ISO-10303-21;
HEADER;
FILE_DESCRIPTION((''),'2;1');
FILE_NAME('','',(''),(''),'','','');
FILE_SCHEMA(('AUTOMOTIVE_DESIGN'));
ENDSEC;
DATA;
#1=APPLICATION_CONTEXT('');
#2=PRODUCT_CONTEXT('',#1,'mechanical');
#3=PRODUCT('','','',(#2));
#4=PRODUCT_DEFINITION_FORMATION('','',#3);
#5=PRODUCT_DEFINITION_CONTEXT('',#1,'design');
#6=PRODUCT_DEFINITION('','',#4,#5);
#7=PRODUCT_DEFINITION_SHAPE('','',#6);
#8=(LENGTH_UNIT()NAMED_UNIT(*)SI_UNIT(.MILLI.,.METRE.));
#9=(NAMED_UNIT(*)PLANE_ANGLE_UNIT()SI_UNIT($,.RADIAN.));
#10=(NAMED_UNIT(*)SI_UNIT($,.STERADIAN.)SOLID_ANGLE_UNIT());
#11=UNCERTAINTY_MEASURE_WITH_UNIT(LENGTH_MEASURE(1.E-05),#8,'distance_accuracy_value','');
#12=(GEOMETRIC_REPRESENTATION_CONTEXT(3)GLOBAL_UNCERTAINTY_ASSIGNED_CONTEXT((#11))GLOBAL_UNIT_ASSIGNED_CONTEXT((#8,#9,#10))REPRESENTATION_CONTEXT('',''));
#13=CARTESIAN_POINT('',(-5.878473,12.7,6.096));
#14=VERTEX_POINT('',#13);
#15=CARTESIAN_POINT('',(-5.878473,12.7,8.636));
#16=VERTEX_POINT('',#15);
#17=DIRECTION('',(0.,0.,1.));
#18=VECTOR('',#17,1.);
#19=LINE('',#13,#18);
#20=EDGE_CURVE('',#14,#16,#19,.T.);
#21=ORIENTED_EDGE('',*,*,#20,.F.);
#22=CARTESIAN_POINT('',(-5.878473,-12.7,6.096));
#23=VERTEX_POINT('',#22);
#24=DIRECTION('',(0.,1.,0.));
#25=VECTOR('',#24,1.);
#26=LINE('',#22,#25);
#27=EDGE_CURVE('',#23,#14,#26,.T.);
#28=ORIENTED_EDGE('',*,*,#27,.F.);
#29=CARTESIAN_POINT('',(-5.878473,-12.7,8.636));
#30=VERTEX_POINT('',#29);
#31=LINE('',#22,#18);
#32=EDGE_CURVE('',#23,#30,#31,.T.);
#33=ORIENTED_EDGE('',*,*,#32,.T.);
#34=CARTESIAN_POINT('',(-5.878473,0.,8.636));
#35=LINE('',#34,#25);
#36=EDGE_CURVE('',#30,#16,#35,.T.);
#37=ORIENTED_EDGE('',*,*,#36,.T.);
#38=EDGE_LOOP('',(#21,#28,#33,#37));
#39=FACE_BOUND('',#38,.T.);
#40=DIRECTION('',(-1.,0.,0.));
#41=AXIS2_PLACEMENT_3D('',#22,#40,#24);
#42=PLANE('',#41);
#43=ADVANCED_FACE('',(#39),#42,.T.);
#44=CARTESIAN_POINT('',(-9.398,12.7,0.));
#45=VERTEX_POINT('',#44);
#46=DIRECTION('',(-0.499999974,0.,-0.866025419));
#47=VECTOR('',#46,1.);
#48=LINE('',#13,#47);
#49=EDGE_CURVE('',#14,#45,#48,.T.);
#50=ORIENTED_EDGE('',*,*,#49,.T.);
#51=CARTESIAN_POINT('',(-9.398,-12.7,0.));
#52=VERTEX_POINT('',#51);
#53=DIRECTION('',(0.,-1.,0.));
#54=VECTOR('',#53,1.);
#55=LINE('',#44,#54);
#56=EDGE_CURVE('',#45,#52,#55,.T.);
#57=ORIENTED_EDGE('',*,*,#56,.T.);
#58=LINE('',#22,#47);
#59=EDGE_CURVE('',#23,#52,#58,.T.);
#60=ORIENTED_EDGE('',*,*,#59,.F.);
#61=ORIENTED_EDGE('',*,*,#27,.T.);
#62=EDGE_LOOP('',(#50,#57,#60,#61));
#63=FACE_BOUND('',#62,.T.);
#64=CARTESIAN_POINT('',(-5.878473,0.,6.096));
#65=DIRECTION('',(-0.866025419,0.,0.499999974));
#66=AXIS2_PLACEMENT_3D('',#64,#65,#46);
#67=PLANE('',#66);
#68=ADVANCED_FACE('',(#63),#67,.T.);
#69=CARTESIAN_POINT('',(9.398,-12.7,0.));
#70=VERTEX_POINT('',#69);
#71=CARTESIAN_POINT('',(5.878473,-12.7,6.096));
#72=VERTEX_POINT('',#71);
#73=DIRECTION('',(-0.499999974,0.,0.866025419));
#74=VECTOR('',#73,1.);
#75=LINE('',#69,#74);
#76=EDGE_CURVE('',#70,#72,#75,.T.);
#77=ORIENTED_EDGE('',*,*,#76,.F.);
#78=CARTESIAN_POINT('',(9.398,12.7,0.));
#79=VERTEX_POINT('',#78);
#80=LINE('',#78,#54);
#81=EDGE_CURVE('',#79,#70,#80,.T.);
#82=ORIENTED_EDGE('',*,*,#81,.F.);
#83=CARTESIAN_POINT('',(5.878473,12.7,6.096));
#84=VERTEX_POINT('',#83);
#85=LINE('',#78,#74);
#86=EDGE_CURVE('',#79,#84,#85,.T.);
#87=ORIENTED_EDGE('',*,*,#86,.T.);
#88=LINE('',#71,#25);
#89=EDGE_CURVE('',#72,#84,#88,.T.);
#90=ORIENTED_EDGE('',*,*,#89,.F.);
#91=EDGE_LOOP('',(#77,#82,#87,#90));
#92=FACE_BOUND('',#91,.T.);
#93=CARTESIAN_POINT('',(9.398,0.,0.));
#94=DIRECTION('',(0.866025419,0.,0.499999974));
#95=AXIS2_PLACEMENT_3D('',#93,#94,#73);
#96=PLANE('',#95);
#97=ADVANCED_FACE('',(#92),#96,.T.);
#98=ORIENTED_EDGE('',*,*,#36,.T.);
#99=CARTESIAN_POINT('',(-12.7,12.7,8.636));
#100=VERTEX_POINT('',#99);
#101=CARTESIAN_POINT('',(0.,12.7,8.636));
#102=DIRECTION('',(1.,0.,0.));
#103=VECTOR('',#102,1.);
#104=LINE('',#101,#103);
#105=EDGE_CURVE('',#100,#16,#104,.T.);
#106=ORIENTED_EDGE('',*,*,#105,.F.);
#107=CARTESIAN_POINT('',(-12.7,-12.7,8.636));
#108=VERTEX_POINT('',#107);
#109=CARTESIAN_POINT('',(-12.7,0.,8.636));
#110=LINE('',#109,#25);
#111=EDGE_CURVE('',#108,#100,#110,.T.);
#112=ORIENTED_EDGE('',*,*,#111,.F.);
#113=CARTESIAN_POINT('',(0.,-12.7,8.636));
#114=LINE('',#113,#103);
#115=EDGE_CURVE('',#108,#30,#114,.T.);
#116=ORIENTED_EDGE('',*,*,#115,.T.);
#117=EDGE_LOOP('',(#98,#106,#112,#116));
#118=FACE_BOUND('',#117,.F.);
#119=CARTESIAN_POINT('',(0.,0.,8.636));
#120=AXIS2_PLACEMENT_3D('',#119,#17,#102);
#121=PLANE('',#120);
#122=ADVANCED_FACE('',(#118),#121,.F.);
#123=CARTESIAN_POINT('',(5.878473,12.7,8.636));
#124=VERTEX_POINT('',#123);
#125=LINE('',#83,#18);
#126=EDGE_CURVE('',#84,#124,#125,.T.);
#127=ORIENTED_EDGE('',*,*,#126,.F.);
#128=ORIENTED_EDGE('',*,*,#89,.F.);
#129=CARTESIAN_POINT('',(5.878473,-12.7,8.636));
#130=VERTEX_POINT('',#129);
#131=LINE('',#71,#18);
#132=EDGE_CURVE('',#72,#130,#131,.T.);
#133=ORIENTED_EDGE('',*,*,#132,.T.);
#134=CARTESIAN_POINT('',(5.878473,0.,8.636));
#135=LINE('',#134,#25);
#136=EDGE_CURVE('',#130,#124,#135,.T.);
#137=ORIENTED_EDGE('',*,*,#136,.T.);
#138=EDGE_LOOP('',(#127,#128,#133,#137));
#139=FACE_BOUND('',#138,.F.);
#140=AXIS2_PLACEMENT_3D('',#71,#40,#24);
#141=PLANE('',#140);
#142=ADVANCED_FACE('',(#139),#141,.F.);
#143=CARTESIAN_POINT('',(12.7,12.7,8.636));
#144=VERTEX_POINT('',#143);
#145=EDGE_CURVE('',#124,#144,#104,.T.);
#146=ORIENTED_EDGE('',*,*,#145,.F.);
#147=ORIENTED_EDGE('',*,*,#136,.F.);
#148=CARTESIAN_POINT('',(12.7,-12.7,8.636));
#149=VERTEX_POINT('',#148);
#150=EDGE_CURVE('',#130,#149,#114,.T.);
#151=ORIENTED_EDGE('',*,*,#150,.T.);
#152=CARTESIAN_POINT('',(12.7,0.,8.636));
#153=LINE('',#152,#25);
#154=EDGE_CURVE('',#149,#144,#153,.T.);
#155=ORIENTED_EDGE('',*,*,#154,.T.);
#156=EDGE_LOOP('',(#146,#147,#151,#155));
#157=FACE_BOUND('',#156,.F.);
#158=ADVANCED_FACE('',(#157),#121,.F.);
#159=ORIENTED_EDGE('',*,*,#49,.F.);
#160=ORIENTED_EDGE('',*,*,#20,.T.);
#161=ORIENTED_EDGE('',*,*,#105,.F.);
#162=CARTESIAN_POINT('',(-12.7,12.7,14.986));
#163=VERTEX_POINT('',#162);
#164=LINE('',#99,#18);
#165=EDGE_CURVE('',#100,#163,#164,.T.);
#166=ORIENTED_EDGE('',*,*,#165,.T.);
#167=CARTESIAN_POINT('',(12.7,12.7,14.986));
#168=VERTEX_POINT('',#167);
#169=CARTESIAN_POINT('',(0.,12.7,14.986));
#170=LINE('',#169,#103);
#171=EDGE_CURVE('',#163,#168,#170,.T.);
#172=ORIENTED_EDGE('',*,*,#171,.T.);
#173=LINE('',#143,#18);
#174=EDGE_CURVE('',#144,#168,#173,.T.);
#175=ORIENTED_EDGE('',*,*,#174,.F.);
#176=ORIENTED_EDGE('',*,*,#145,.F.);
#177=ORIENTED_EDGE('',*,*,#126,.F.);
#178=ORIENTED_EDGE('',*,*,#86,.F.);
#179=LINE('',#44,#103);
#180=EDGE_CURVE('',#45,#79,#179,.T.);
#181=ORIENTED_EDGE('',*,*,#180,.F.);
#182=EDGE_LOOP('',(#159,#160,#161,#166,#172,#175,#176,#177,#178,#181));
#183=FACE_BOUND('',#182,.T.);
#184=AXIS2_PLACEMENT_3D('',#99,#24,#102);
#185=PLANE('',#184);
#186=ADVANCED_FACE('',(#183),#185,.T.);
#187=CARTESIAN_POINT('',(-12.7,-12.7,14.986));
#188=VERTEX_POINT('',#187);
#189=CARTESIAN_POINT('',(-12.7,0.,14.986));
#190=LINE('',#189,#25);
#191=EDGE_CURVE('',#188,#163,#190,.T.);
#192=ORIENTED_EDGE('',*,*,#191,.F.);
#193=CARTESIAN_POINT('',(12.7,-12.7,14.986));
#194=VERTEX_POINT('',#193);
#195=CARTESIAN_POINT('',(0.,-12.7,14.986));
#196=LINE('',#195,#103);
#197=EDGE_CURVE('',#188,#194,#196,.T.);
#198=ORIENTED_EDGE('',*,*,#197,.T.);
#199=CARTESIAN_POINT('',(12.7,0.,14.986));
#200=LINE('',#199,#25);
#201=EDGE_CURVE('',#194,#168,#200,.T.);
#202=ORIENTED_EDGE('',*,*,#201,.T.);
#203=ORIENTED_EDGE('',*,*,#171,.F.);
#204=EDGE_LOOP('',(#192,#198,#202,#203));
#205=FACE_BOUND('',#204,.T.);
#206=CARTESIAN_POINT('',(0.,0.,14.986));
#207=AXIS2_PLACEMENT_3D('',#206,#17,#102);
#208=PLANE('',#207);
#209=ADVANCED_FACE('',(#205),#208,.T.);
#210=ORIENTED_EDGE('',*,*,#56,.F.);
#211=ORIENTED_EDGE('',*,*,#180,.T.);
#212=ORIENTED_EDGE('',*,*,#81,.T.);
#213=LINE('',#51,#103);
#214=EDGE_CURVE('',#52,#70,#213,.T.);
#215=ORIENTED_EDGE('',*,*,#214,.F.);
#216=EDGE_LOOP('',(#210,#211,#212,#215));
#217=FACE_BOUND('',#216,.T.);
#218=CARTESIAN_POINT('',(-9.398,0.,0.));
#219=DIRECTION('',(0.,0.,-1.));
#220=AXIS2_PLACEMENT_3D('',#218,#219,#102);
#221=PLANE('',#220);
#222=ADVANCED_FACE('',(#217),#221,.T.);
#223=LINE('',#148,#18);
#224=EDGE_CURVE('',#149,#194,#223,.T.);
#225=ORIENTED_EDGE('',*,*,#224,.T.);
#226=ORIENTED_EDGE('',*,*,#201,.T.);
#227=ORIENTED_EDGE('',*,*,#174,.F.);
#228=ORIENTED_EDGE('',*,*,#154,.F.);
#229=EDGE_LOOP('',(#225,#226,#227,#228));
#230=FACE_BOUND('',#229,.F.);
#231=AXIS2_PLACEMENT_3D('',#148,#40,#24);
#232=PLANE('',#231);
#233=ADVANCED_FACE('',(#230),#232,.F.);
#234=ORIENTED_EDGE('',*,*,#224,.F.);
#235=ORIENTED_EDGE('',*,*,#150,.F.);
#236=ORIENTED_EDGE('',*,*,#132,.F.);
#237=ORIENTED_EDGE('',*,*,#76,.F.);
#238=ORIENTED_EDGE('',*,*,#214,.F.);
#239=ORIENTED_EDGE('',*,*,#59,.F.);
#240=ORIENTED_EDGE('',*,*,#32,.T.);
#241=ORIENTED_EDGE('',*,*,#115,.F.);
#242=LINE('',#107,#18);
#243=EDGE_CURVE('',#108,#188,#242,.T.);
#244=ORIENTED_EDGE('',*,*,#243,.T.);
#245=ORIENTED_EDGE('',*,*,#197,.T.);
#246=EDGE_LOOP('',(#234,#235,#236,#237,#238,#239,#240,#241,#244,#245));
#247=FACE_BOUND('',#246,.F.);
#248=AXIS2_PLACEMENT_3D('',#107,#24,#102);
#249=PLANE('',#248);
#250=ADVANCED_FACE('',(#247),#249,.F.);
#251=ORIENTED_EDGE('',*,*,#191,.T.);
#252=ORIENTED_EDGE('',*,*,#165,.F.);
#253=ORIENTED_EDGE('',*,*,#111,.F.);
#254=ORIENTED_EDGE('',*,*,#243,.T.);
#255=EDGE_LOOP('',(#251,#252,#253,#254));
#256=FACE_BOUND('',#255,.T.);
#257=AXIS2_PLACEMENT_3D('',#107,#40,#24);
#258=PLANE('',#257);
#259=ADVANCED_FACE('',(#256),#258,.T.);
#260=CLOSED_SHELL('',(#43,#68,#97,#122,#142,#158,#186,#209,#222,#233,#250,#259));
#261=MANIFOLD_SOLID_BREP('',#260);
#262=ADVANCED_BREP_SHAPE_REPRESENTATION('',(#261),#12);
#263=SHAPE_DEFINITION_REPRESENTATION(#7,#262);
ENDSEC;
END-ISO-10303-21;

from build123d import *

# Parameters (mm, degrees)
F1_DEPTH      = 12.7
F1_DEPTH_BACK = 12.7
F2_W          = 11.756946
F2_H          = 25.4
F3_DEPTH      = 2.54
F4_W          = 25.4
F4_H          = 25.4
F5_DEPTH      = 6.35


with BuildPart() as f1:
    # F0 (on Front) → F1 (new body, two sides)
    with BuildSketch(Plane.XZ) as f1_sk:
        Polygon((-5.878473, 6.096), (-9.398, 0), (9.398, 0), (5.878473, 6.096), align=None)
    extrude(amount=F1_DEPTH)
    extrude(f1_sk.sketch, amount=-F1_DEPTH_BACK)

    # F2 (on face) → F3 (join)
    with BuildSketch(Plane.XY.offset(6.096)):
        Rectangle(F2_W, F2_H)
    extrude(amount=F3_DEPTH)

    # F4 (on face) → F5 (join)
    with BuildSketch(Plane.XY.offset(8.636)):
        Rectangle(F4_W, F4_H)
    extrude(amount=F5_DEPTH)


solid = f1.part
